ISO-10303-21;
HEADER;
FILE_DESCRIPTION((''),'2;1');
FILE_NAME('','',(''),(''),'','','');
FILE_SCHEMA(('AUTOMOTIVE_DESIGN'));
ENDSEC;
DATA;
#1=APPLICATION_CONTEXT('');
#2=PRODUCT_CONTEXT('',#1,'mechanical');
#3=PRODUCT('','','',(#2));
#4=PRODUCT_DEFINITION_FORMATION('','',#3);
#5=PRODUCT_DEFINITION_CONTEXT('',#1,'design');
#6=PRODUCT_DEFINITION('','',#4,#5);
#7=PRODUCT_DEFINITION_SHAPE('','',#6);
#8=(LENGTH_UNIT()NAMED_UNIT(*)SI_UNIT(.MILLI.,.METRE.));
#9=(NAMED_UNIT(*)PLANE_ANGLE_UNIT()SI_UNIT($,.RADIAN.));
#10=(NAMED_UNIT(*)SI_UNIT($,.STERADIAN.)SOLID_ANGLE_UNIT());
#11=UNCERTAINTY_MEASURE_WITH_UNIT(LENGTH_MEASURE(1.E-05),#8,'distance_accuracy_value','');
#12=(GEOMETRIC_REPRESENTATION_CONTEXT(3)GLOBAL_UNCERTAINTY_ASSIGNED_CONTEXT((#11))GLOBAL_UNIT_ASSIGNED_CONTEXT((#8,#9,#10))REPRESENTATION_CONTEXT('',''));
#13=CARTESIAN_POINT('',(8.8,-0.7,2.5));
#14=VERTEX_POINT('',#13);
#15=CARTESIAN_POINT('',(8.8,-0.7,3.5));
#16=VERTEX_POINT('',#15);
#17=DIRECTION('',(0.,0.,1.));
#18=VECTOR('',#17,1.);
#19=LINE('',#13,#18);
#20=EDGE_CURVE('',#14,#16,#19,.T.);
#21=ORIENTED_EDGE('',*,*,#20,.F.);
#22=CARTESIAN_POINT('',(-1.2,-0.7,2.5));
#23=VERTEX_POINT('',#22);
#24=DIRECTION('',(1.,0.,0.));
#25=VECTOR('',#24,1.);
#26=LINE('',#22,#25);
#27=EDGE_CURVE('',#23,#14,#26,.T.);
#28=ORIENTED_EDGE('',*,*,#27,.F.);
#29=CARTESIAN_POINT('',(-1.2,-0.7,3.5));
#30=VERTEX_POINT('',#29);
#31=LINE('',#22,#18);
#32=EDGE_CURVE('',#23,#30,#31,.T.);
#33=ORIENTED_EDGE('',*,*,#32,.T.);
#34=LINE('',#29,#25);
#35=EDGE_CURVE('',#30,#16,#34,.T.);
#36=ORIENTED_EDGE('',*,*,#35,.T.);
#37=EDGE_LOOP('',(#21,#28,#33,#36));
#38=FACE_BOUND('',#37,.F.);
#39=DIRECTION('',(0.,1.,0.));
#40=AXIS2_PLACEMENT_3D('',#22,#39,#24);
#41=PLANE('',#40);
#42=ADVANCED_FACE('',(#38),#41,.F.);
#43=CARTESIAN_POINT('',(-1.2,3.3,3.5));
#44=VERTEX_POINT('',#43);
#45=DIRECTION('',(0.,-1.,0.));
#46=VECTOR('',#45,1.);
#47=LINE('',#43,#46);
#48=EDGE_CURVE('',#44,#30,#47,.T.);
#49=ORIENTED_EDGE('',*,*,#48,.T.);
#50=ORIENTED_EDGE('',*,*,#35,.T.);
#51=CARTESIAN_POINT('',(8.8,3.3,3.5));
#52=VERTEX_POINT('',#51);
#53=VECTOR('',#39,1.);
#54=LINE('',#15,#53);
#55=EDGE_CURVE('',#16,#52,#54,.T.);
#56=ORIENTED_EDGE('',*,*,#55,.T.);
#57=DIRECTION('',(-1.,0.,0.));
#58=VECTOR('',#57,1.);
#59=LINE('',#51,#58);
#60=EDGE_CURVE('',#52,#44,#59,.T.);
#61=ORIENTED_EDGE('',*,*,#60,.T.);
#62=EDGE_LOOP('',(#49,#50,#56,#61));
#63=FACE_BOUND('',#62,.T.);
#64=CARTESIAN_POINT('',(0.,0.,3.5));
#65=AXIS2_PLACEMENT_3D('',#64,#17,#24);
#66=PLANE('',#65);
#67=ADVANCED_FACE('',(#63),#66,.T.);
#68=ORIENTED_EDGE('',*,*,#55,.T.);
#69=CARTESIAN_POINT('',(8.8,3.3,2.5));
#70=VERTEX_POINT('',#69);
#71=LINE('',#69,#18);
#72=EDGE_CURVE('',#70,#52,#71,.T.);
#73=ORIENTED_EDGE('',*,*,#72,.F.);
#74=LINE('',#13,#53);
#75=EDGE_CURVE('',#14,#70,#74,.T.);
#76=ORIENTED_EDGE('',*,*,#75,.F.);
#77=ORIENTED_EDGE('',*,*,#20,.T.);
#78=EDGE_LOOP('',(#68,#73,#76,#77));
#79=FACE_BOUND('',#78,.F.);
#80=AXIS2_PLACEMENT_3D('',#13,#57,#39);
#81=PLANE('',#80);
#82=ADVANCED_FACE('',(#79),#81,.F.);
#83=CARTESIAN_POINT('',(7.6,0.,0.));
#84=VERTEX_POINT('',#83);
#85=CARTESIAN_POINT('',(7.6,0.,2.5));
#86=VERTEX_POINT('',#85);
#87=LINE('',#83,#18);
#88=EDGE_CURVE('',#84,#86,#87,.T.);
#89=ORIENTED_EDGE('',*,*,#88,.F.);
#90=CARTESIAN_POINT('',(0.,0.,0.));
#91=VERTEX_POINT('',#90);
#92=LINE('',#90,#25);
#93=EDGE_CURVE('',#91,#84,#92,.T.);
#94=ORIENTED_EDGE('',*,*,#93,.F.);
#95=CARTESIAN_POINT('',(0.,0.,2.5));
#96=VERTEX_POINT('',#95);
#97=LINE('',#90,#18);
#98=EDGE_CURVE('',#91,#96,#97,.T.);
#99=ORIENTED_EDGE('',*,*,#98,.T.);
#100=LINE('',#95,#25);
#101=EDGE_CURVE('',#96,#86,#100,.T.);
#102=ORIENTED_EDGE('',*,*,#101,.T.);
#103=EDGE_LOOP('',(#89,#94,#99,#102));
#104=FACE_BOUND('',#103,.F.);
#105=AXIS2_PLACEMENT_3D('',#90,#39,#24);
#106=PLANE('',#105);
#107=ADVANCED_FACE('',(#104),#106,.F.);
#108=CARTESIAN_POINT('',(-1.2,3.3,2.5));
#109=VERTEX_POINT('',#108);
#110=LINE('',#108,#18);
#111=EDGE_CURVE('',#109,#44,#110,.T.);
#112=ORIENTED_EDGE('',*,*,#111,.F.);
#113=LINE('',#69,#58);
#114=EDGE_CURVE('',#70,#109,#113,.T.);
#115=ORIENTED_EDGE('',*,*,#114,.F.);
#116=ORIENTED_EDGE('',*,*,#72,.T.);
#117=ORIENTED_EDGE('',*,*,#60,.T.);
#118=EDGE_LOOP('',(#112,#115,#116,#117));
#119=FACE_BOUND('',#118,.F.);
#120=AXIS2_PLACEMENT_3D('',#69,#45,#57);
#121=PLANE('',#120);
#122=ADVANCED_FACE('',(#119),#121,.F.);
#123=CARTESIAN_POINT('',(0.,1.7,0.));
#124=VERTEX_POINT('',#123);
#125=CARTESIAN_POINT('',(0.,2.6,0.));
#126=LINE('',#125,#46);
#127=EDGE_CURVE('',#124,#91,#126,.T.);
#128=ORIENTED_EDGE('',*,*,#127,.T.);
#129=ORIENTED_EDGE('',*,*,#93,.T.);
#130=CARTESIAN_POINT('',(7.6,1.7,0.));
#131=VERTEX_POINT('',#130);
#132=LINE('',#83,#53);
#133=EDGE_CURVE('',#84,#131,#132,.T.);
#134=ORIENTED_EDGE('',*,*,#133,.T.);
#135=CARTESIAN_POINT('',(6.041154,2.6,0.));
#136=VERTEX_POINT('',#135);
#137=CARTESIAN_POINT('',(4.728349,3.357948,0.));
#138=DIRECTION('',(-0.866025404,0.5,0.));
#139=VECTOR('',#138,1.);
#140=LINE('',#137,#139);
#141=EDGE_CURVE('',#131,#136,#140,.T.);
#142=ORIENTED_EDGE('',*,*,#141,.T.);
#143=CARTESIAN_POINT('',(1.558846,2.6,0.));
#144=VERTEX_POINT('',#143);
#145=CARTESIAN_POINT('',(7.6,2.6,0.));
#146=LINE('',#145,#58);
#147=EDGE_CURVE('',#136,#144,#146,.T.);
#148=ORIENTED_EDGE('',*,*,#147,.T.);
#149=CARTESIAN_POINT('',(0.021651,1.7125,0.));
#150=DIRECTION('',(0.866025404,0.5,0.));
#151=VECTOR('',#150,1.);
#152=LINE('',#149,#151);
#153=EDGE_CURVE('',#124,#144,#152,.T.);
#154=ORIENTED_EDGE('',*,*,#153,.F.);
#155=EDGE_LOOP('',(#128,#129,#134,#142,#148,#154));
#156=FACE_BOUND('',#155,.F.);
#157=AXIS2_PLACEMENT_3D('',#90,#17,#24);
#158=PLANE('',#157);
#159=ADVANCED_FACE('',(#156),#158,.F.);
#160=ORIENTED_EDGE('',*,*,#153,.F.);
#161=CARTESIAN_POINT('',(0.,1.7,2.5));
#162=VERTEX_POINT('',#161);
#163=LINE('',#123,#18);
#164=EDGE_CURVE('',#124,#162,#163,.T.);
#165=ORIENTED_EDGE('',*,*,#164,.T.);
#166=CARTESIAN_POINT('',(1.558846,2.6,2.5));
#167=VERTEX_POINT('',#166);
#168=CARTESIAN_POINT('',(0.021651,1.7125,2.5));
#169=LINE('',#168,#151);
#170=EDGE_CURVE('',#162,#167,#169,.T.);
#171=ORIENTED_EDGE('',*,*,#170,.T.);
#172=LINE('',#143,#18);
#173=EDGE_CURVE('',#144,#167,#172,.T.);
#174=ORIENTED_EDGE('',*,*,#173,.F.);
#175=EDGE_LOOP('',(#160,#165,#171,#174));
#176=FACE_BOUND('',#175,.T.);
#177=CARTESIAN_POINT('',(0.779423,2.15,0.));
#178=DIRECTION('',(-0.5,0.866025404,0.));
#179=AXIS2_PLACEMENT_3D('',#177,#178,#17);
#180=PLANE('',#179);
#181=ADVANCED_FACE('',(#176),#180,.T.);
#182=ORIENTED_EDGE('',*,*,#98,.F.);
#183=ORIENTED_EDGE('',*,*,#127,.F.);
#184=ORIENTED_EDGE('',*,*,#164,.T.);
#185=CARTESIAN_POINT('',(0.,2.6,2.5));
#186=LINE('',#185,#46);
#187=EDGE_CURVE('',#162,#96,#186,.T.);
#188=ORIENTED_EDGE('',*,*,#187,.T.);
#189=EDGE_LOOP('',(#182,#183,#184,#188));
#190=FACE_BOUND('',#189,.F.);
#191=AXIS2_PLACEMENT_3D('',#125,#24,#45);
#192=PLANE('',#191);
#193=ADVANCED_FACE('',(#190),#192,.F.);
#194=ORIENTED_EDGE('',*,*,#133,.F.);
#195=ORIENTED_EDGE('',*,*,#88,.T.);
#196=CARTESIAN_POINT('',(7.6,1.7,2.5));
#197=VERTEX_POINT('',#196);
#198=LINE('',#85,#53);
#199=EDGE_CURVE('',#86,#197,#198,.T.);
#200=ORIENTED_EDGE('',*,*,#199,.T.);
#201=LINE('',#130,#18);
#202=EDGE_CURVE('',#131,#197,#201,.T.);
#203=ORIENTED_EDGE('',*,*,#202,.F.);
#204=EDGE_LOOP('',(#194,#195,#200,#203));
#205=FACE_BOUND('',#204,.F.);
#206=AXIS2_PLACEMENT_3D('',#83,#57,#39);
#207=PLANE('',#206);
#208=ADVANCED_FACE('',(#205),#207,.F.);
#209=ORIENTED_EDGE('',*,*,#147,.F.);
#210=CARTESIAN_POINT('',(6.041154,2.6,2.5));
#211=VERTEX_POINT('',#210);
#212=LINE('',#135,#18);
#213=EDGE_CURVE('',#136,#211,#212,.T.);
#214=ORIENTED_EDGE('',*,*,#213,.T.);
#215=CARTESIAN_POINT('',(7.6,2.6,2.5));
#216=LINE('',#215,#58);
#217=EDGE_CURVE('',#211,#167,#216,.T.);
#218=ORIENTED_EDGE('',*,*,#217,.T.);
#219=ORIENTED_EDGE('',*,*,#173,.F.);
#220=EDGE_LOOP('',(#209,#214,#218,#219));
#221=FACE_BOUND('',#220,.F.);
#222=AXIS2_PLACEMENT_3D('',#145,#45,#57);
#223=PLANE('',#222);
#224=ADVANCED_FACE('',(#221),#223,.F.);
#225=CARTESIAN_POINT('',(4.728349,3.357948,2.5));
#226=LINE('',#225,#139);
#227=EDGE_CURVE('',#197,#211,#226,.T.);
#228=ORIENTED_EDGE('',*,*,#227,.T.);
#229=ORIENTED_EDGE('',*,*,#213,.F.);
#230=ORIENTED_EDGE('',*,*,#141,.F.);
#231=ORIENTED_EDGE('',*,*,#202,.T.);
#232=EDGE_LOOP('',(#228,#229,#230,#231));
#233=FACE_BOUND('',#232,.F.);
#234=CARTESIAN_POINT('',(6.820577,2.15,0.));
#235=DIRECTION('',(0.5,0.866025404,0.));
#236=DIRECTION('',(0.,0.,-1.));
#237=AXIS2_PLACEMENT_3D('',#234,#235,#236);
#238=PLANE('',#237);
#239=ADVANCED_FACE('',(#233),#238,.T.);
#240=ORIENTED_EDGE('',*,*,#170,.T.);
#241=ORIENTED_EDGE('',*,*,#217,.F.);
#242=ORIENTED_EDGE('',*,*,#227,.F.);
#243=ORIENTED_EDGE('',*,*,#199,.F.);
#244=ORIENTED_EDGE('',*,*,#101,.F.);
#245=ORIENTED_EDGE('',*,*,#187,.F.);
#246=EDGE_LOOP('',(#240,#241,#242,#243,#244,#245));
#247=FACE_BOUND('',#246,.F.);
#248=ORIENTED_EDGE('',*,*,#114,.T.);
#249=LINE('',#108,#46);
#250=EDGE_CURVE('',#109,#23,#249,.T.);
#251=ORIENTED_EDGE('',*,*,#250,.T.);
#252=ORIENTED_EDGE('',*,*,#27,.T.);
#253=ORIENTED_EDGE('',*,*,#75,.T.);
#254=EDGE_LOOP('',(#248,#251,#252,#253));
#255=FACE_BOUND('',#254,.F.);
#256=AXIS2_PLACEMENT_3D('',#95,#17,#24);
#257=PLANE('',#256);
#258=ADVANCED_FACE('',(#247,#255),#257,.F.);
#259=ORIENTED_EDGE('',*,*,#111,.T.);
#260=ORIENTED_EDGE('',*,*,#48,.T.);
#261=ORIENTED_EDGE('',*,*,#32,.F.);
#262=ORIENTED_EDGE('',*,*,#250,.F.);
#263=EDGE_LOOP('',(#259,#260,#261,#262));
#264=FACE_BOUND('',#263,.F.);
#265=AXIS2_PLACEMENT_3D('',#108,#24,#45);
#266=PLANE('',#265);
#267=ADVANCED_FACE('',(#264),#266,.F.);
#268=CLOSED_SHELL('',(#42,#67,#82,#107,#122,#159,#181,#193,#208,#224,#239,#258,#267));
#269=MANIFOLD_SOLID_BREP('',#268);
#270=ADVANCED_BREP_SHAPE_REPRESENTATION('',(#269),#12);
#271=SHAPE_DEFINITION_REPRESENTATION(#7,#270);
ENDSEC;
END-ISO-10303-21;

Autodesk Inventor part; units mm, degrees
ref_plane "YZ Plane" through (0, 0, 0) normal (1, 0, 0) x (0, 1, 0)
ref_plane "XZ Plane" through (0, 0, 0) normal (0, 1, 0) x (-1, 0, 0)
ref_plane "XY Plane" through (0, 0, 0) normal (0, 0, 1) x (1, 0, 0)
sketch "Náčrt1" plane through (0, 0, 0) normal (0, 0, 1) x (1, 0, 0)
  line L0 (0, 0) -> (7.6, 0)
  line L1 (7.6, 0) -> (7.6, 2.6)
  line L2 (7.6, 2.6) -> (0, 2.6)
  line L3 (0, 2.6) -> (0, 0)
  dimension "d0" = 7.6
  dimension "d1" = 2.6
extrude "Vysunutí1" add sketch "Náčrt1" along normal blind 2.5
chamfer "Zkosení1" distance 0.9 angle 60 1 edges at (0, 2.6, 1.25) measured on face at (0, 1.7333, 0.8333)
chamfer "Zkosení2" distance 0.9 angle 60 1 edges at (7.6, 2.6, 1.25) measured on face at (7.6, 0.8667, 0.8333)
sketch "Náčrt2" plane through (0, 0, 2.5) normal (0, 0, 1) x (1, 0, 0)
  line L0 (-1.2, -0.7) -> (8.8, -0.7)
  line L1 (8.8, -0.7) -> (8.8, 3.3)
  line L2 (8.8, 3.3) -> (-1.2, 3.3)
  line L3 (-1.2, 3.3) -> (-1.2, -0.7)
  line L4 (-1.2, -0.7) -> (8.8, 3.3) construction
  line L5 (8.8, -0.7) -> (-1.2, 3.3) construction
  line L6 (0, 0) -> (7.6, 0) projected
  point P0 (3.8, 1.3)
  dimension "d10" = 10
  dimension "d11" = 4
  dimension "d12" = 1.3
extrude "Vysunutí2" add sketch "Náčrt2" along normal blind 1
properties part number "ChargeCover"
